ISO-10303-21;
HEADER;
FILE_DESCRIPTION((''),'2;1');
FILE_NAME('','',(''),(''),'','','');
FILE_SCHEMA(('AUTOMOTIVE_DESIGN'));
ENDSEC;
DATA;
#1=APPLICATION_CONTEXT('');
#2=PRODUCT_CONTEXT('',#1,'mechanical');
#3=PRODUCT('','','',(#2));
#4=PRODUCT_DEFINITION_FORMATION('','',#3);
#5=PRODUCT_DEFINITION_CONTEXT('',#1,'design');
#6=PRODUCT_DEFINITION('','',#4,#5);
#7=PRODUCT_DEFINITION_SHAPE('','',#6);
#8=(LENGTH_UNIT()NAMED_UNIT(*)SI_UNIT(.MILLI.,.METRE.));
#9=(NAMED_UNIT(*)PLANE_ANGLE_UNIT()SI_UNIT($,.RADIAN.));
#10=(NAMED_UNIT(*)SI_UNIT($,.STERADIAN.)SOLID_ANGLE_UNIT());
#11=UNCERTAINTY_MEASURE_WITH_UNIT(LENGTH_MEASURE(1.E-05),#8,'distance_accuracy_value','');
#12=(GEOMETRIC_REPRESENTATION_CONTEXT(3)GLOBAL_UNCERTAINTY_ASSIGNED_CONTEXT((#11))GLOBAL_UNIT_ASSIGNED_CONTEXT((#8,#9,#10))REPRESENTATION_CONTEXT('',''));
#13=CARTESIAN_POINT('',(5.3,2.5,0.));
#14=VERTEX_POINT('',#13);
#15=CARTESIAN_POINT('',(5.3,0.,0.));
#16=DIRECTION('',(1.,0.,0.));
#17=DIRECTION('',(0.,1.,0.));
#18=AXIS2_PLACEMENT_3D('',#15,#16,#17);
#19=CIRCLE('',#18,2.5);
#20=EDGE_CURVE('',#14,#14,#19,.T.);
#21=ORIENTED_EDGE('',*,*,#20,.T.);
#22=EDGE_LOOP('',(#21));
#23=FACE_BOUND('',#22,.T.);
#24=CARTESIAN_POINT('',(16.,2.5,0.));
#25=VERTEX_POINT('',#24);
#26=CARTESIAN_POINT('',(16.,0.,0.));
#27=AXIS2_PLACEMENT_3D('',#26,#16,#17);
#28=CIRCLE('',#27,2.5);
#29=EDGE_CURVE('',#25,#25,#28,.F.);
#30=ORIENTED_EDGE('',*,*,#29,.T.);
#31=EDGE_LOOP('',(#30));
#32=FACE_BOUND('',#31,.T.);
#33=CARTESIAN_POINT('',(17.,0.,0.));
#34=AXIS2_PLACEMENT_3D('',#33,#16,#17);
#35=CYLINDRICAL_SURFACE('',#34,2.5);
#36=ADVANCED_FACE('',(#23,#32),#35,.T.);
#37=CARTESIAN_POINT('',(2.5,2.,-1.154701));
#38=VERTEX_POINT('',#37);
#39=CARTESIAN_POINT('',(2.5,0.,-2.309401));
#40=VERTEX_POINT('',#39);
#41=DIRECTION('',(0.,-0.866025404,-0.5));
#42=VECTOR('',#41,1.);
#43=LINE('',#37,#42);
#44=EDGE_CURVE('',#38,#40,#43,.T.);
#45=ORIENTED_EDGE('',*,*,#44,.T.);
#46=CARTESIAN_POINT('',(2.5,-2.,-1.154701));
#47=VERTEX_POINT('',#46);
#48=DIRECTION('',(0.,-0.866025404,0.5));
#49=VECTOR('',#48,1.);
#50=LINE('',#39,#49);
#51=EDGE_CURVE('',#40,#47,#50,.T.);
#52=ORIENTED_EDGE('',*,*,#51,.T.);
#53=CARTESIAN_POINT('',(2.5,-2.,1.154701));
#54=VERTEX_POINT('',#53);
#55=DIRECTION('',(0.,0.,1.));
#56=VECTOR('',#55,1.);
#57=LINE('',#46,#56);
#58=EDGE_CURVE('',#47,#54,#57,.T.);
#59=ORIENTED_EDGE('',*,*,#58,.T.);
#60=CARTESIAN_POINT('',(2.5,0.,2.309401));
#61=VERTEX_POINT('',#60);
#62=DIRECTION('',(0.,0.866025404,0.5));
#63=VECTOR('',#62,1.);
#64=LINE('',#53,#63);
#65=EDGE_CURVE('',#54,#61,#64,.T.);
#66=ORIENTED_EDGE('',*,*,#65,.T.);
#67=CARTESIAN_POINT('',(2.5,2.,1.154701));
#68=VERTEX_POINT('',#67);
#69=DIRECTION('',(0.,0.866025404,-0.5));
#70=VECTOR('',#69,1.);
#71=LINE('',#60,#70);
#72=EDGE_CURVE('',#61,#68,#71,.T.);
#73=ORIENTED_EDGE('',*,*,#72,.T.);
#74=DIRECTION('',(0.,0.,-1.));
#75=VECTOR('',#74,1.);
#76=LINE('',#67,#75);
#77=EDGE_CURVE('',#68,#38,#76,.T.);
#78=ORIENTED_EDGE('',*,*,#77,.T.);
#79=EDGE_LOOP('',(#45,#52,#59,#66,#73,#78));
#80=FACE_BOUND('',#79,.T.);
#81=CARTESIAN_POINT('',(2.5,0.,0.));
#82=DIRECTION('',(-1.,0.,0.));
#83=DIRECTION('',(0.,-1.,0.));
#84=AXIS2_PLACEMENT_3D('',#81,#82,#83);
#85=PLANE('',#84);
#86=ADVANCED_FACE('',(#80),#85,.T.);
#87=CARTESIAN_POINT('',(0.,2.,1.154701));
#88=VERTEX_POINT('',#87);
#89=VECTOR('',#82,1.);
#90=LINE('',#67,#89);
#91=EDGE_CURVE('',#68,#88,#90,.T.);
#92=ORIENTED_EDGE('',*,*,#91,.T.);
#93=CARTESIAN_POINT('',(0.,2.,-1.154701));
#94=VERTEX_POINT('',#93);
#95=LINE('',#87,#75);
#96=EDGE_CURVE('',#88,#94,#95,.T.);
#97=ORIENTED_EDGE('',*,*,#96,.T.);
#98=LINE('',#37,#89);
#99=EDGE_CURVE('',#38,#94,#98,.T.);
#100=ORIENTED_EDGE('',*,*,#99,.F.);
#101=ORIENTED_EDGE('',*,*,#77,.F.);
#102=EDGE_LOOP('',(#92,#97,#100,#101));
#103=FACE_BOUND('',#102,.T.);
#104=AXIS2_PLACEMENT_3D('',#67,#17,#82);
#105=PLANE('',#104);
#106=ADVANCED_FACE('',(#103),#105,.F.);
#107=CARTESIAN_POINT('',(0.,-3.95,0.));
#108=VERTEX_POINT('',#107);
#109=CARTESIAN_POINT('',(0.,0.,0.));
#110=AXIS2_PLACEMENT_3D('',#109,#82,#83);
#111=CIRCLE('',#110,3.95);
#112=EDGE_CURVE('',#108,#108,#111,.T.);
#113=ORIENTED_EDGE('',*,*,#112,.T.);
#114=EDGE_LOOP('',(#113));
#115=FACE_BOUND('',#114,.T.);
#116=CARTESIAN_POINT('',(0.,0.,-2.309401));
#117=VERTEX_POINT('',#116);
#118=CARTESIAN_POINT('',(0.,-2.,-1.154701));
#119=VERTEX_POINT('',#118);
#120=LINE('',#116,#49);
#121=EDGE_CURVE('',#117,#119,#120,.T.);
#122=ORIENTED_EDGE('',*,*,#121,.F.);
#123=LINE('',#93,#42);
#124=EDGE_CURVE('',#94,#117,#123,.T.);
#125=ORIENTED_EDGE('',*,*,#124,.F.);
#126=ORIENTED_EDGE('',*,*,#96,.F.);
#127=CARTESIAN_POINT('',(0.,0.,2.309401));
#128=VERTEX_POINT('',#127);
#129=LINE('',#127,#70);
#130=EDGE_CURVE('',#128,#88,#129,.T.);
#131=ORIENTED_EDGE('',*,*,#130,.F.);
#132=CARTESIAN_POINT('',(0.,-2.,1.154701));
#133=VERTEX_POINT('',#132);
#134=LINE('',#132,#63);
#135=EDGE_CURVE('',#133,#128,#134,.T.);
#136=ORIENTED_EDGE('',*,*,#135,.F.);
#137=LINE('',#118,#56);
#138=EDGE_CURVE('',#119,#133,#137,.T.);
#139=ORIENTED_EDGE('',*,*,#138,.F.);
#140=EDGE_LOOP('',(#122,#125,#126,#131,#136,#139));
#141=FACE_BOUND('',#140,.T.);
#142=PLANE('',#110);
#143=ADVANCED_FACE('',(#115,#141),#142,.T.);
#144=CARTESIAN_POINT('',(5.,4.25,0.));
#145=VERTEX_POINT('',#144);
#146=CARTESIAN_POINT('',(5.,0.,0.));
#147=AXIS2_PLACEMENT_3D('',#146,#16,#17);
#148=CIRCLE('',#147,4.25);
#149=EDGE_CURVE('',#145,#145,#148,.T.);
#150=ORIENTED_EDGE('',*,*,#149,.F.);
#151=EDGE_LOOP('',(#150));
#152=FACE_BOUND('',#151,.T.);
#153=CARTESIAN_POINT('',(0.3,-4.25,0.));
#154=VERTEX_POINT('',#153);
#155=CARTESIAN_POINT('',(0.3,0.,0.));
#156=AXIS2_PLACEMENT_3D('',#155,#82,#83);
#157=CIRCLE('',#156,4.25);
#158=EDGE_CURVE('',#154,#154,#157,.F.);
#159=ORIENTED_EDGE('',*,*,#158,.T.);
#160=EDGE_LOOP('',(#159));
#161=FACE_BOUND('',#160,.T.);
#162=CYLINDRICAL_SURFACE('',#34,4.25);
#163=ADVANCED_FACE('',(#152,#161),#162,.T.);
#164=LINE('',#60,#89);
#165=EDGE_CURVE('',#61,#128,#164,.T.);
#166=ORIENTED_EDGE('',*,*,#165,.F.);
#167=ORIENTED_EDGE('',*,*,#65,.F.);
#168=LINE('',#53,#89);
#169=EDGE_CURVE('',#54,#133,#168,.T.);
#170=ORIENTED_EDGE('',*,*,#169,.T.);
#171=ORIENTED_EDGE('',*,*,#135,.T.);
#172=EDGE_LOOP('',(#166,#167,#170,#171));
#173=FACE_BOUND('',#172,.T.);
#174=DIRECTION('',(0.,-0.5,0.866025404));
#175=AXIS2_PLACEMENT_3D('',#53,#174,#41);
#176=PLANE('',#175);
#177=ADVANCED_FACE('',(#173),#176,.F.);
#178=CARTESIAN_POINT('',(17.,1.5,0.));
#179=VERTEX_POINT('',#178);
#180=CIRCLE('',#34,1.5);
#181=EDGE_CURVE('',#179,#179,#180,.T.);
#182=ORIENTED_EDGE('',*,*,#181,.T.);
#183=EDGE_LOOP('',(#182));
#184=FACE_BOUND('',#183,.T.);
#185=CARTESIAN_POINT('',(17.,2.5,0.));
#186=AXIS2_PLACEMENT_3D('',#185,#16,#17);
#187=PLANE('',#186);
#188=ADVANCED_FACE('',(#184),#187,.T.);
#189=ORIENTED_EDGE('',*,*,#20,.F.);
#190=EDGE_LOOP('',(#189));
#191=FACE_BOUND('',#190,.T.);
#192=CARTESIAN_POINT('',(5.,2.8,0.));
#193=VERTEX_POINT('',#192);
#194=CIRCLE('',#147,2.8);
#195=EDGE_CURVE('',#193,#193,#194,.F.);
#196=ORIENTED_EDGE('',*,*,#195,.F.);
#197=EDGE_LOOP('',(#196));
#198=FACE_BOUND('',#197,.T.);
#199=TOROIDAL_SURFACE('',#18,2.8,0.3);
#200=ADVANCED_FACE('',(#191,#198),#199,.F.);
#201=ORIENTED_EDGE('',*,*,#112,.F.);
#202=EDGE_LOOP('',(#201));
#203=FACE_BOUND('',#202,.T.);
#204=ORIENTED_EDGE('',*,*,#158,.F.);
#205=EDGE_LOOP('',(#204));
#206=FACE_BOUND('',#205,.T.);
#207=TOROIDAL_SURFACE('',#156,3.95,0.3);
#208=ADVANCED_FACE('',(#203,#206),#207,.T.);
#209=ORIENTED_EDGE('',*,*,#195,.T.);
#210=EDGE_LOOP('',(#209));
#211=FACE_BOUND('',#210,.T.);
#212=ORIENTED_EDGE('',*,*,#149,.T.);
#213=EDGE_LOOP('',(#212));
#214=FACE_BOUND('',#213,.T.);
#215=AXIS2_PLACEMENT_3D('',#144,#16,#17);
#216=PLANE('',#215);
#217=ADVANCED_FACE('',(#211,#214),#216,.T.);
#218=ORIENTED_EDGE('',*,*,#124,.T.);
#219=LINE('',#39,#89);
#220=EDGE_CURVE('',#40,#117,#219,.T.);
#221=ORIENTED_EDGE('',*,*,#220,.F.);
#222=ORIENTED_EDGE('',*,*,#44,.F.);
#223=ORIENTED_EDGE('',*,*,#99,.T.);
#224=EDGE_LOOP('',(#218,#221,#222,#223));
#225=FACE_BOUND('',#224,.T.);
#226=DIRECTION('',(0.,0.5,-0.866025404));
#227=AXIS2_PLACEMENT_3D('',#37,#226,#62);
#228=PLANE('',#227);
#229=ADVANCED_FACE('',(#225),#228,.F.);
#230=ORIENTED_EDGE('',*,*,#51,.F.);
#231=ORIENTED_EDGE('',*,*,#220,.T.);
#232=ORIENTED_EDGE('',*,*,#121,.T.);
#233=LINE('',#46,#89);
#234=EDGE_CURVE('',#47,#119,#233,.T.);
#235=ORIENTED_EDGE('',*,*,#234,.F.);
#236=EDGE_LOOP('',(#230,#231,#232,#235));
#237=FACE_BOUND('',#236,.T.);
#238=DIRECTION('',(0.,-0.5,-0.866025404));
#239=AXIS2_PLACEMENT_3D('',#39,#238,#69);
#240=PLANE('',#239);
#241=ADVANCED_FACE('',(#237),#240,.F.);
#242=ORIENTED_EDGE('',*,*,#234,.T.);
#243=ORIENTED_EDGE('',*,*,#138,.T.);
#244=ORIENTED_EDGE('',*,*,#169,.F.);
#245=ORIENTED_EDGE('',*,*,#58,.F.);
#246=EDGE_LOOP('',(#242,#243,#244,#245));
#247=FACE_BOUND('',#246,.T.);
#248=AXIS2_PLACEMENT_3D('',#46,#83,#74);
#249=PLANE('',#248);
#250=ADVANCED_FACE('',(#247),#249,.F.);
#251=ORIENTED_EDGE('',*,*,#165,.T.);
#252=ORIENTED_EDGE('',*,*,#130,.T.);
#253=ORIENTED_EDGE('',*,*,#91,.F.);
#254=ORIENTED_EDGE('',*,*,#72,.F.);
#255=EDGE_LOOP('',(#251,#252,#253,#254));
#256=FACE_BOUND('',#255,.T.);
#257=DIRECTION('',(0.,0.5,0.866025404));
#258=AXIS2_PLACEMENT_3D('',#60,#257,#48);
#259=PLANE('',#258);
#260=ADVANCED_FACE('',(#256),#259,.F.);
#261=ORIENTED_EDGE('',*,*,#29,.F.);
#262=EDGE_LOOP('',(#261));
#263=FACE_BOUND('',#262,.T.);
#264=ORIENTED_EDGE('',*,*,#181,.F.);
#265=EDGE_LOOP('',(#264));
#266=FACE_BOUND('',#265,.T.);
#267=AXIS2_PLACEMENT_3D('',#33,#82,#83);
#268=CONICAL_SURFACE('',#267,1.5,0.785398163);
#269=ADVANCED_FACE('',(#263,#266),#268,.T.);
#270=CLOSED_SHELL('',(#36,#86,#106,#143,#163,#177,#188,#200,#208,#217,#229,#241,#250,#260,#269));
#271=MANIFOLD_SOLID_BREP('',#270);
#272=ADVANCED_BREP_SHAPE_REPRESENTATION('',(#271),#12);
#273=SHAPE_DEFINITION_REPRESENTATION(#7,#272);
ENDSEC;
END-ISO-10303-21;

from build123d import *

# Parameters (mm, degrees)
CUT_EXTRUDE_1_DEPTH = 2.5
FILLET_1_R          = 0.3
CHAMFER_1_SIZE      = 1


with BuildPart() as part:
    # Эскиз1 → Повернуть1 (revolve)
    with BuildSketch(Plane.XY):
        Polygon((0, 0), (0, 4.25), (5, 4.25), (5, 2.5), (17, 2.5), (17, 0), align=None)
    revolve(axis=Axis((17, 0, 0), (-1, 0, 0)))

    # Эскиз2 → Вырез-Вытянуть1 (cut)
    with BuildSketch(Plane.ZY):
        Polygon((-1.154700538, 2), (-2.309401077, 0), (-1.154700538, -2), (1.154700538, -2), (2.309401077, 0), (1.154700538, 2), align=None)
    extrude(amount=-CUT_EXTRUDE_1_DEPTH, mode=Mode.SUBTRACT)

    # Скругление1
    fillet_1_edges = [part.edges().sort_by_distance(p)[0] for p in [
        (5, -2.5, 0),
        (0, -4.25, 0),
    ]]
    fillet(fillet_1_edges, radius=FILLET_1_R)

    # Фаска1
    chamfer_1_edges = [part.edges().sort_by_distance(p)[0] for p in [
        (17, -2.5, 0),
    ]]
    chamfer(chamfer_1_edges, length=CHAMFER_1_SIZE)


solid = part.part
